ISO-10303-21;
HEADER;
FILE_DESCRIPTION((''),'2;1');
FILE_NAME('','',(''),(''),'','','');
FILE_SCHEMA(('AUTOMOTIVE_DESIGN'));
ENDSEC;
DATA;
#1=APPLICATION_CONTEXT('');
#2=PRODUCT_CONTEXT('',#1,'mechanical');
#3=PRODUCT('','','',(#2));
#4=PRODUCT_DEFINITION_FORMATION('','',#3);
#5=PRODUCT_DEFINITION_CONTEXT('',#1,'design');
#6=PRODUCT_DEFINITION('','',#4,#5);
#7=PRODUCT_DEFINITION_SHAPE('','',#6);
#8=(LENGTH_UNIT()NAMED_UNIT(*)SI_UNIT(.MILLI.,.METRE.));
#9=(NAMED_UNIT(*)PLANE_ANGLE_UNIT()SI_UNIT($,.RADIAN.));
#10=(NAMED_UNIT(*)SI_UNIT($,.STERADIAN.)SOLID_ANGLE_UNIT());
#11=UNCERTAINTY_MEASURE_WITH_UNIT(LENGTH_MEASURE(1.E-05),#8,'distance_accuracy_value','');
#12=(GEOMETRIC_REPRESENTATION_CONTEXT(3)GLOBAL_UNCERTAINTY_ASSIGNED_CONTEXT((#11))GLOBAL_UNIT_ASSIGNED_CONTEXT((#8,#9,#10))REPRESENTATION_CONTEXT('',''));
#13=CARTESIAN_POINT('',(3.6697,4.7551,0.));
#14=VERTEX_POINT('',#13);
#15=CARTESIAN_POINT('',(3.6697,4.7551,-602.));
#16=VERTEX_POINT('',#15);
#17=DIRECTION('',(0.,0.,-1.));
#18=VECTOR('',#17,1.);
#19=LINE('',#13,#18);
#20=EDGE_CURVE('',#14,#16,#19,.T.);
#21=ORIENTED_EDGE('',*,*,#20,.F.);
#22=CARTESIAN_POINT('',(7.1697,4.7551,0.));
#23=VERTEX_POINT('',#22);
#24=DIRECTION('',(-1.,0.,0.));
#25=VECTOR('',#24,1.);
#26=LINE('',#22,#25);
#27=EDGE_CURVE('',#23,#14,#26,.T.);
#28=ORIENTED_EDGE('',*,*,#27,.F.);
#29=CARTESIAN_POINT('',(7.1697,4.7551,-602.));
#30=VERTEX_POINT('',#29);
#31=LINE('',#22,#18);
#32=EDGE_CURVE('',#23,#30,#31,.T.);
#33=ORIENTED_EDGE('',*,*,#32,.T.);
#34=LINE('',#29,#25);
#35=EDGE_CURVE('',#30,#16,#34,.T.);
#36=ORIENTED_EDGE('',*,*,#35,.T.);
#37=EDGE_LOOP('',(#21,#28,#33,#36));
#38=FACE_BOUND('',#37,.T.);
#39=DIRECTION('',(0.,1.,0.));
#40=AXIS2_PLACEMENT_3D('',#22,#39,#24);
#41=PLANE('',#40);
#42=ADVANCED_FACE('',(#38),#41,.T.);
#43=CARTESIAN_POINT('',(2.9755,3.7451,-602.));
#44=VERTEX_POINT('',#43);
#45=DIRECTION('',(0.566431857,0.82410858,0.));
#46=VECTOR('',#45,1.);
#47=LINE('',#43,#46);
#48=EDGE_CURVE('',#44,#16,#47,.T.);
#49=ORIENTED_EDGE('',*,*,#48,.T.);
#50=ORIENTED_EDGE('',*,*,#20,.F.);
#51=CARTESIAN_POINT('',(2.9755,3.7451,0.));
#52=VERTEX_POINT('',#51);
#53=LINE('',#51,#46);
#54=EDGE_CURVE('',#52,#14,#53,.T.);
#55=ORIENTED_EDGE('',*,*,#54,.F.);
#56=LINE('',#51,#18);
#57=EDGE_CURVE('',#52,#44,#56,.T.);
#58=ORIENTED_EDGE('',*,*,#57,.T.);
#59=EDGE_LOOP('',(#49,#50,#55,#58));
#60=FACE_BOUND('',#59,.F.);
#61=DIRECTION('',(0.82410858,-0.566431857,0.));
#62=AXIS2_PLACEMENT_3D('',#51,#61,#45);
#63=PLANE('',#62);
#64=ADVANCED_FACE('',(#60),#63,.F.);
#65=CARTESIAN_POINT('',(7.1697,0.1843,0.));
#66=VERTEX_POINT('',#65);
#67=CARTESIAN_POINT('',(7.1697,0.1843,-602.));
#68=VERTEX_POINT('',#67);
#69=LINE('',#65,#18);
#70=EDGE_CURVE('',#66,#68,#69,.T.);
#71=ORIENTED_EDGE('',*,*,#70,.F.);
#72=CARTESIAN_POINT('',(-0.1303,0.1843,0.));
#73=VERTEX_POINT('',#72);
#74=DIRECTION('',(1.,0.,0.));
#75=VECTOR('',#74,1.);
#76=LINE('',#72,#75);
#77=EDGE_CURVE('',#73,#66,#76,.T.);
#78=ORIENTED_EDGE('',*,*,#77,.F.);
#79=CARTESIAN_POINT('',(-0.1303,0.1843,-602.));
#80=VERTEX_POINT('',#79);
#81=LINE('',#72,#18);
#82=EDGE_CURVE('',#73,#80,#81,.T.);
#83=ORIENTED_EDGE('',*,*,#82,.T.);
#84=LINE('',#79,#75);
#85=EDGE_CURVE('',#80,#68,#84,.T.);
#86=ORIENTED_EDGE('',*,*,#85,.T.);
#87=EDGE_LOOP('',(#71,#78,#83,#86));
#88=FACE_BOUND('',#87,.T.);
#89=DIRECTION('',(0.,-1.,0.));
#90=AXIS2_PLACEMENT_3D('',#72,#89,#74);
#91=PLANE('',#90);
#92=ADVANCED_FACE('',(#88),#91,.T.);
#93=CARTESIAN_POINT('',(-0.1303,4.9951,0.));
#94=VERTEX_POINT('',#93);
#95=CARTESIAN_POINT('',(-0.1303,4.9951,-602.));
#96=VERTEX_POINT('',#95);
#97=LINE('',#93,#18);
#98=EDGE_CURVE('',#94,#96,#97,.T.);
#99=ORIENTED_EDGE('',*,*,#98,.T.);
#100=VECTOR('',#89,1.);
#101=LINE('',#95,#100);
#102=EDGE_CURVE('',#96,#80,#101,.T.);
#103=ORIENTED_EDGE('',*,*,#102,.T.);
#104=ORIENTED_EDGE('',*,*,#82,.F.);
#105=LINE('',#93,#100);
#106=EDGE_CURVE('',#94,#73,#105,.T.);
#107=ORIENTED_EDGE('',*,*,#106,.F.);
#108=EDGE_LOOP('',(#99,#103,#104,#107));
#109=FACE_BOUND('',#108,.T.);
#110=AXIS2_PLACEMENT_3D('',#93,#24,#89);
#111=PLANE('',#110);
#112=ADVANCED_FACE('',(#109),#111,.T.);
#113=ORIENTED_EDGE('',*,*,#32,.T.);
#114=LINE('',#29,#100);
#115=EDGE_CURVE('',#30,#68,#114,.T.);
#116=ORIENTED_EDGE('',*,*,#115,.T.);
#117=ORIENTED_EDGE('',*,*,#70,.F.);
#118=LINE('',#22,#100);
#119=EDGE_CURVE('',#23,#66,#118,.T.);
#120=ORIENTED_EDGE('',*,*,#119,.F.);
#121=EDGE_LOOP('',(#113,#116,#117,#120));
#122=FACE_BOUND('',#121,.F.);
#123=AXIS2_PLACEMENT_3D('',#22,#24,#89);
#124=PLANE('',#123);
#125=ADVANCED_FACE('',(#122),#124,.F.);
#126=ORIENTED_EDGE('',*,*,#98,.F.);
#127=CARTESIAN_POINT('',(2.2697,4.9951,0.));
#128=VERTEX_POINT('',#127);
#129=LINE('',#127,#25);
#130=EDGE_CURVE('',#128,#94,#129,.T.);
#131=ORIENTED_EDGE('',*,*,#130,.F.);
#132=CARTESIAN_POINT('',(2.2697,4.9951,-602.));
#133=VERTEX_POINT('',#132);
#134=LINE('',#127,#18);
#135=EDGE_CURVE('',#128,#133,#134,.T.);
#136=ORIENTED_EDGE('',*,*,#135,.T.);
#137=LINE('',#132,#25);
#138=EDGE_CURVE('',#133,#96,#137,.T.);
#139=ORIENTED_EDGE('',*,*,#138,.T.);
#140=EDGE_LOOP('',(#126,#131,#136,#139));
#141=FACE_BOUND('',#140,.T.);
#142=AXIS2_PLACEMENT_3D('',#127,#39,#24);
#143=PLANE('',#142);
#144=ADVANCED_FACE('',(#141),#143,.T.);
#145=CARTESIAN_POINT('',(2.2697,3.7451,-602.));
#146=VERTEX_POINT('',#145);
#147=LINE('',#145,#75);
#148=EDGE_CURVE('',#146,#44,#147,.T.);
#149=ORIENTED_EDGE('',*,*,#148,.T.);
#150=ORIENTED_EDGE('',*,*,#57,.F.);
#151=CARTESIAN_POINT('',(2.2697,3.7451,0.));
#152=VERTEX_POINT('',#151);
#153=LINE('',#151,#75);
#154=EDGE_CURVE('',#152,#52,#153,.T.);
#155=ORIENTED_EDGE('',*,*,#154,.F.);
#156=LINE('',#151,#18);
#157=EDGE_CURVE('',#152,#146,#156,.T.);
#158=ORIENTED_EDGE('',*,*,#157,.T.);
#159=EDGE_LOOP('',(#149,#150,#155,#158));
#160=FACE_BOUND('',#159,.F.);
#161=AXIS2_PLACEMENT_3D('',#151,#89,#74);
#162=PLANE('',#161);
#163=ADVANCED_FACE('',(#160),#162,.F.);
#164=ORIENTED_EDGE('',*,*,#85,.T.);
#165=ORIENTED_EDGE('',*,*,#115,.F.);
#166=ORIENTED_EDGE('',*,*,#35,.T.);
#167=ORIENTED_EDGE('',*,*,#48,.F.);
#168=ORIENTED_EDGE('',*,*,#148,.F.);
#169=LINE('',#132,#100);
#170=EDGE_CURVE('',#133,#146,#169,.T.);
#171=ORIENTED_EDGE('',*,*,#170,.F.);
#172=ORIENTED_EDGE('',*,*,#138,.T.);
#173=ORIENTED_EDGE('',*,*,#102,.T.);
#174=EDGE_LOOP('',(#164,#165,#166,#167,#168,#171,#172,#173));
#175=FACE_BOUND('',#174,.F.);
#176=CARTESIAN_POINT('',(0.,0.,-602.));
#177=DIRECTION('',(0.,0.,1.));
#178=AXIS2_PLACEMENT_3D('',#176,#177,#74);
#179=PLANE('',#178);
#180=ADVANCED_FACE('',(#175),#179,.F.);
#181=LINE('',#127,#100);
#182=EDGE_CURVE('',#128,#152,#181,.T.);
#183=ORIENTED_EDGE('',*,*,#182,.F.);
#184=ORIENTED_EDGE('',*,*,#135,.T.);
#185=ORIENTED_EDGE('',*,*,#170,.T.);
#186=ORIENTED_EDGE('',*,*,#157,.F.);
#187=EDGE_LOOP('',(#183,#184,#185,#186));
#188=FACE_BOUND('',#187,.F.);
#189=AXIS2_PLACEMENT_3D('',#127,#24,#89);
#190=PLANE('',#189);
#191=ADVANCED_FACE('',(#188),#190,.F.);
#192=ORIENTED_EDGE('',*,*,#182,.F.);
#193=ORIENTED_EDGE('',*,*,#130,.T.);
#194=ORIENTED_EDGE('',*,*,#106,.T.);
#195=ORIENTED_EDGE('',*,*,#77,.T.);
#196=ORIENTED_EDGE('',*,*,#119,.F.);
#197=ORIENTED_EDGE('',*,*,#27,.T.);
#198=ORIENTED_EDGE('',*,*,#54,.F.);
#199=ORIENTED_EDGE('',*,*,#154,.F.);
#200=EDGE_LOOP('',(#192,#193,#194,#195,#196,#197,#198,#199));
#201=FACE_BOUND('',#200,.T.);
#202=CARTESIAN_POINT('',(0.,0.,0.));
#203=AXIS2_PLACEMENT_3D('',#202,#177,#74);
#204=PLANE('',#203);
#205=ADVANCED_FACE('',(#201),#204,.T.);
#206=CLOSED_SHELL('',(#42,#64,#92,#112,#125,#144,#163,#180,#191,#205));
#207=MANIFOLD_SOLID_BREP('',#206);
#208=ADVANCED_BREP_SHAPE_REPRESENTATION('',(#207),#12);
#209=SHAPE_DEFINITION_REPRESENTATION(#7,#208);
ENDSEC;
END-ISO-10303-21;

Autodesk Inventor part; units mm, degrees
ref_plane "YZ Plane" through (0, 0, 0) normal (1, 0, 0) x (0, 1, 0)
ref_plane "XZ Plane" through (0, 0, 0) normal (0, 1, 0) x (-1, 0, 0)
ref_plane "XY Plane" through (0, 0, 0) normal (0, 0, 1) x (1, 0, 0)
sketch "Boceto1" plane through (0, 0, 0) normal (0, 0, 1) x (1, 0, 0)
  line L0 (2.2697, 4.9951) -> (-0.1303, 4.9951)
  line L1 (-0.1303, 4.9951) -> (-0.1303, 0.1843)
  line L2 (2.2697, 4.9951) -> (2.2697, 3.7451)
  line L3 (2.2697, 3.7451) -> (2.9755, 3.7451)
  line L4 (2.9755, 3.7451) -> (3.6697, 4.7551)
  line L5 (-0.1303, 0.1843) -> (7.1697, 0.1843)
  line L6 (7.1697, 4.7551) -> (7.1697, 0.1843)
  line L7 (7.1697, 4.7551) -> (3.6697, 4.7551)
  dimension "d93" = 4.8108
  dimension "d94" = 0.24
  dimension "d95" = 2.4
  dimension "d96" = 0.7058
  dimension "d97" = 1.25
  dimension "d98" = 1.01
  dimension "d99" = 124.5
  dimension "d100" = 7.3
extrude "Extrusión1" add sketch "Boceto1" against normal blind 602
properties part number "SP40-04A JUNTA INT CRISTAL ZOCALO 602 mm" material "Caucho"
